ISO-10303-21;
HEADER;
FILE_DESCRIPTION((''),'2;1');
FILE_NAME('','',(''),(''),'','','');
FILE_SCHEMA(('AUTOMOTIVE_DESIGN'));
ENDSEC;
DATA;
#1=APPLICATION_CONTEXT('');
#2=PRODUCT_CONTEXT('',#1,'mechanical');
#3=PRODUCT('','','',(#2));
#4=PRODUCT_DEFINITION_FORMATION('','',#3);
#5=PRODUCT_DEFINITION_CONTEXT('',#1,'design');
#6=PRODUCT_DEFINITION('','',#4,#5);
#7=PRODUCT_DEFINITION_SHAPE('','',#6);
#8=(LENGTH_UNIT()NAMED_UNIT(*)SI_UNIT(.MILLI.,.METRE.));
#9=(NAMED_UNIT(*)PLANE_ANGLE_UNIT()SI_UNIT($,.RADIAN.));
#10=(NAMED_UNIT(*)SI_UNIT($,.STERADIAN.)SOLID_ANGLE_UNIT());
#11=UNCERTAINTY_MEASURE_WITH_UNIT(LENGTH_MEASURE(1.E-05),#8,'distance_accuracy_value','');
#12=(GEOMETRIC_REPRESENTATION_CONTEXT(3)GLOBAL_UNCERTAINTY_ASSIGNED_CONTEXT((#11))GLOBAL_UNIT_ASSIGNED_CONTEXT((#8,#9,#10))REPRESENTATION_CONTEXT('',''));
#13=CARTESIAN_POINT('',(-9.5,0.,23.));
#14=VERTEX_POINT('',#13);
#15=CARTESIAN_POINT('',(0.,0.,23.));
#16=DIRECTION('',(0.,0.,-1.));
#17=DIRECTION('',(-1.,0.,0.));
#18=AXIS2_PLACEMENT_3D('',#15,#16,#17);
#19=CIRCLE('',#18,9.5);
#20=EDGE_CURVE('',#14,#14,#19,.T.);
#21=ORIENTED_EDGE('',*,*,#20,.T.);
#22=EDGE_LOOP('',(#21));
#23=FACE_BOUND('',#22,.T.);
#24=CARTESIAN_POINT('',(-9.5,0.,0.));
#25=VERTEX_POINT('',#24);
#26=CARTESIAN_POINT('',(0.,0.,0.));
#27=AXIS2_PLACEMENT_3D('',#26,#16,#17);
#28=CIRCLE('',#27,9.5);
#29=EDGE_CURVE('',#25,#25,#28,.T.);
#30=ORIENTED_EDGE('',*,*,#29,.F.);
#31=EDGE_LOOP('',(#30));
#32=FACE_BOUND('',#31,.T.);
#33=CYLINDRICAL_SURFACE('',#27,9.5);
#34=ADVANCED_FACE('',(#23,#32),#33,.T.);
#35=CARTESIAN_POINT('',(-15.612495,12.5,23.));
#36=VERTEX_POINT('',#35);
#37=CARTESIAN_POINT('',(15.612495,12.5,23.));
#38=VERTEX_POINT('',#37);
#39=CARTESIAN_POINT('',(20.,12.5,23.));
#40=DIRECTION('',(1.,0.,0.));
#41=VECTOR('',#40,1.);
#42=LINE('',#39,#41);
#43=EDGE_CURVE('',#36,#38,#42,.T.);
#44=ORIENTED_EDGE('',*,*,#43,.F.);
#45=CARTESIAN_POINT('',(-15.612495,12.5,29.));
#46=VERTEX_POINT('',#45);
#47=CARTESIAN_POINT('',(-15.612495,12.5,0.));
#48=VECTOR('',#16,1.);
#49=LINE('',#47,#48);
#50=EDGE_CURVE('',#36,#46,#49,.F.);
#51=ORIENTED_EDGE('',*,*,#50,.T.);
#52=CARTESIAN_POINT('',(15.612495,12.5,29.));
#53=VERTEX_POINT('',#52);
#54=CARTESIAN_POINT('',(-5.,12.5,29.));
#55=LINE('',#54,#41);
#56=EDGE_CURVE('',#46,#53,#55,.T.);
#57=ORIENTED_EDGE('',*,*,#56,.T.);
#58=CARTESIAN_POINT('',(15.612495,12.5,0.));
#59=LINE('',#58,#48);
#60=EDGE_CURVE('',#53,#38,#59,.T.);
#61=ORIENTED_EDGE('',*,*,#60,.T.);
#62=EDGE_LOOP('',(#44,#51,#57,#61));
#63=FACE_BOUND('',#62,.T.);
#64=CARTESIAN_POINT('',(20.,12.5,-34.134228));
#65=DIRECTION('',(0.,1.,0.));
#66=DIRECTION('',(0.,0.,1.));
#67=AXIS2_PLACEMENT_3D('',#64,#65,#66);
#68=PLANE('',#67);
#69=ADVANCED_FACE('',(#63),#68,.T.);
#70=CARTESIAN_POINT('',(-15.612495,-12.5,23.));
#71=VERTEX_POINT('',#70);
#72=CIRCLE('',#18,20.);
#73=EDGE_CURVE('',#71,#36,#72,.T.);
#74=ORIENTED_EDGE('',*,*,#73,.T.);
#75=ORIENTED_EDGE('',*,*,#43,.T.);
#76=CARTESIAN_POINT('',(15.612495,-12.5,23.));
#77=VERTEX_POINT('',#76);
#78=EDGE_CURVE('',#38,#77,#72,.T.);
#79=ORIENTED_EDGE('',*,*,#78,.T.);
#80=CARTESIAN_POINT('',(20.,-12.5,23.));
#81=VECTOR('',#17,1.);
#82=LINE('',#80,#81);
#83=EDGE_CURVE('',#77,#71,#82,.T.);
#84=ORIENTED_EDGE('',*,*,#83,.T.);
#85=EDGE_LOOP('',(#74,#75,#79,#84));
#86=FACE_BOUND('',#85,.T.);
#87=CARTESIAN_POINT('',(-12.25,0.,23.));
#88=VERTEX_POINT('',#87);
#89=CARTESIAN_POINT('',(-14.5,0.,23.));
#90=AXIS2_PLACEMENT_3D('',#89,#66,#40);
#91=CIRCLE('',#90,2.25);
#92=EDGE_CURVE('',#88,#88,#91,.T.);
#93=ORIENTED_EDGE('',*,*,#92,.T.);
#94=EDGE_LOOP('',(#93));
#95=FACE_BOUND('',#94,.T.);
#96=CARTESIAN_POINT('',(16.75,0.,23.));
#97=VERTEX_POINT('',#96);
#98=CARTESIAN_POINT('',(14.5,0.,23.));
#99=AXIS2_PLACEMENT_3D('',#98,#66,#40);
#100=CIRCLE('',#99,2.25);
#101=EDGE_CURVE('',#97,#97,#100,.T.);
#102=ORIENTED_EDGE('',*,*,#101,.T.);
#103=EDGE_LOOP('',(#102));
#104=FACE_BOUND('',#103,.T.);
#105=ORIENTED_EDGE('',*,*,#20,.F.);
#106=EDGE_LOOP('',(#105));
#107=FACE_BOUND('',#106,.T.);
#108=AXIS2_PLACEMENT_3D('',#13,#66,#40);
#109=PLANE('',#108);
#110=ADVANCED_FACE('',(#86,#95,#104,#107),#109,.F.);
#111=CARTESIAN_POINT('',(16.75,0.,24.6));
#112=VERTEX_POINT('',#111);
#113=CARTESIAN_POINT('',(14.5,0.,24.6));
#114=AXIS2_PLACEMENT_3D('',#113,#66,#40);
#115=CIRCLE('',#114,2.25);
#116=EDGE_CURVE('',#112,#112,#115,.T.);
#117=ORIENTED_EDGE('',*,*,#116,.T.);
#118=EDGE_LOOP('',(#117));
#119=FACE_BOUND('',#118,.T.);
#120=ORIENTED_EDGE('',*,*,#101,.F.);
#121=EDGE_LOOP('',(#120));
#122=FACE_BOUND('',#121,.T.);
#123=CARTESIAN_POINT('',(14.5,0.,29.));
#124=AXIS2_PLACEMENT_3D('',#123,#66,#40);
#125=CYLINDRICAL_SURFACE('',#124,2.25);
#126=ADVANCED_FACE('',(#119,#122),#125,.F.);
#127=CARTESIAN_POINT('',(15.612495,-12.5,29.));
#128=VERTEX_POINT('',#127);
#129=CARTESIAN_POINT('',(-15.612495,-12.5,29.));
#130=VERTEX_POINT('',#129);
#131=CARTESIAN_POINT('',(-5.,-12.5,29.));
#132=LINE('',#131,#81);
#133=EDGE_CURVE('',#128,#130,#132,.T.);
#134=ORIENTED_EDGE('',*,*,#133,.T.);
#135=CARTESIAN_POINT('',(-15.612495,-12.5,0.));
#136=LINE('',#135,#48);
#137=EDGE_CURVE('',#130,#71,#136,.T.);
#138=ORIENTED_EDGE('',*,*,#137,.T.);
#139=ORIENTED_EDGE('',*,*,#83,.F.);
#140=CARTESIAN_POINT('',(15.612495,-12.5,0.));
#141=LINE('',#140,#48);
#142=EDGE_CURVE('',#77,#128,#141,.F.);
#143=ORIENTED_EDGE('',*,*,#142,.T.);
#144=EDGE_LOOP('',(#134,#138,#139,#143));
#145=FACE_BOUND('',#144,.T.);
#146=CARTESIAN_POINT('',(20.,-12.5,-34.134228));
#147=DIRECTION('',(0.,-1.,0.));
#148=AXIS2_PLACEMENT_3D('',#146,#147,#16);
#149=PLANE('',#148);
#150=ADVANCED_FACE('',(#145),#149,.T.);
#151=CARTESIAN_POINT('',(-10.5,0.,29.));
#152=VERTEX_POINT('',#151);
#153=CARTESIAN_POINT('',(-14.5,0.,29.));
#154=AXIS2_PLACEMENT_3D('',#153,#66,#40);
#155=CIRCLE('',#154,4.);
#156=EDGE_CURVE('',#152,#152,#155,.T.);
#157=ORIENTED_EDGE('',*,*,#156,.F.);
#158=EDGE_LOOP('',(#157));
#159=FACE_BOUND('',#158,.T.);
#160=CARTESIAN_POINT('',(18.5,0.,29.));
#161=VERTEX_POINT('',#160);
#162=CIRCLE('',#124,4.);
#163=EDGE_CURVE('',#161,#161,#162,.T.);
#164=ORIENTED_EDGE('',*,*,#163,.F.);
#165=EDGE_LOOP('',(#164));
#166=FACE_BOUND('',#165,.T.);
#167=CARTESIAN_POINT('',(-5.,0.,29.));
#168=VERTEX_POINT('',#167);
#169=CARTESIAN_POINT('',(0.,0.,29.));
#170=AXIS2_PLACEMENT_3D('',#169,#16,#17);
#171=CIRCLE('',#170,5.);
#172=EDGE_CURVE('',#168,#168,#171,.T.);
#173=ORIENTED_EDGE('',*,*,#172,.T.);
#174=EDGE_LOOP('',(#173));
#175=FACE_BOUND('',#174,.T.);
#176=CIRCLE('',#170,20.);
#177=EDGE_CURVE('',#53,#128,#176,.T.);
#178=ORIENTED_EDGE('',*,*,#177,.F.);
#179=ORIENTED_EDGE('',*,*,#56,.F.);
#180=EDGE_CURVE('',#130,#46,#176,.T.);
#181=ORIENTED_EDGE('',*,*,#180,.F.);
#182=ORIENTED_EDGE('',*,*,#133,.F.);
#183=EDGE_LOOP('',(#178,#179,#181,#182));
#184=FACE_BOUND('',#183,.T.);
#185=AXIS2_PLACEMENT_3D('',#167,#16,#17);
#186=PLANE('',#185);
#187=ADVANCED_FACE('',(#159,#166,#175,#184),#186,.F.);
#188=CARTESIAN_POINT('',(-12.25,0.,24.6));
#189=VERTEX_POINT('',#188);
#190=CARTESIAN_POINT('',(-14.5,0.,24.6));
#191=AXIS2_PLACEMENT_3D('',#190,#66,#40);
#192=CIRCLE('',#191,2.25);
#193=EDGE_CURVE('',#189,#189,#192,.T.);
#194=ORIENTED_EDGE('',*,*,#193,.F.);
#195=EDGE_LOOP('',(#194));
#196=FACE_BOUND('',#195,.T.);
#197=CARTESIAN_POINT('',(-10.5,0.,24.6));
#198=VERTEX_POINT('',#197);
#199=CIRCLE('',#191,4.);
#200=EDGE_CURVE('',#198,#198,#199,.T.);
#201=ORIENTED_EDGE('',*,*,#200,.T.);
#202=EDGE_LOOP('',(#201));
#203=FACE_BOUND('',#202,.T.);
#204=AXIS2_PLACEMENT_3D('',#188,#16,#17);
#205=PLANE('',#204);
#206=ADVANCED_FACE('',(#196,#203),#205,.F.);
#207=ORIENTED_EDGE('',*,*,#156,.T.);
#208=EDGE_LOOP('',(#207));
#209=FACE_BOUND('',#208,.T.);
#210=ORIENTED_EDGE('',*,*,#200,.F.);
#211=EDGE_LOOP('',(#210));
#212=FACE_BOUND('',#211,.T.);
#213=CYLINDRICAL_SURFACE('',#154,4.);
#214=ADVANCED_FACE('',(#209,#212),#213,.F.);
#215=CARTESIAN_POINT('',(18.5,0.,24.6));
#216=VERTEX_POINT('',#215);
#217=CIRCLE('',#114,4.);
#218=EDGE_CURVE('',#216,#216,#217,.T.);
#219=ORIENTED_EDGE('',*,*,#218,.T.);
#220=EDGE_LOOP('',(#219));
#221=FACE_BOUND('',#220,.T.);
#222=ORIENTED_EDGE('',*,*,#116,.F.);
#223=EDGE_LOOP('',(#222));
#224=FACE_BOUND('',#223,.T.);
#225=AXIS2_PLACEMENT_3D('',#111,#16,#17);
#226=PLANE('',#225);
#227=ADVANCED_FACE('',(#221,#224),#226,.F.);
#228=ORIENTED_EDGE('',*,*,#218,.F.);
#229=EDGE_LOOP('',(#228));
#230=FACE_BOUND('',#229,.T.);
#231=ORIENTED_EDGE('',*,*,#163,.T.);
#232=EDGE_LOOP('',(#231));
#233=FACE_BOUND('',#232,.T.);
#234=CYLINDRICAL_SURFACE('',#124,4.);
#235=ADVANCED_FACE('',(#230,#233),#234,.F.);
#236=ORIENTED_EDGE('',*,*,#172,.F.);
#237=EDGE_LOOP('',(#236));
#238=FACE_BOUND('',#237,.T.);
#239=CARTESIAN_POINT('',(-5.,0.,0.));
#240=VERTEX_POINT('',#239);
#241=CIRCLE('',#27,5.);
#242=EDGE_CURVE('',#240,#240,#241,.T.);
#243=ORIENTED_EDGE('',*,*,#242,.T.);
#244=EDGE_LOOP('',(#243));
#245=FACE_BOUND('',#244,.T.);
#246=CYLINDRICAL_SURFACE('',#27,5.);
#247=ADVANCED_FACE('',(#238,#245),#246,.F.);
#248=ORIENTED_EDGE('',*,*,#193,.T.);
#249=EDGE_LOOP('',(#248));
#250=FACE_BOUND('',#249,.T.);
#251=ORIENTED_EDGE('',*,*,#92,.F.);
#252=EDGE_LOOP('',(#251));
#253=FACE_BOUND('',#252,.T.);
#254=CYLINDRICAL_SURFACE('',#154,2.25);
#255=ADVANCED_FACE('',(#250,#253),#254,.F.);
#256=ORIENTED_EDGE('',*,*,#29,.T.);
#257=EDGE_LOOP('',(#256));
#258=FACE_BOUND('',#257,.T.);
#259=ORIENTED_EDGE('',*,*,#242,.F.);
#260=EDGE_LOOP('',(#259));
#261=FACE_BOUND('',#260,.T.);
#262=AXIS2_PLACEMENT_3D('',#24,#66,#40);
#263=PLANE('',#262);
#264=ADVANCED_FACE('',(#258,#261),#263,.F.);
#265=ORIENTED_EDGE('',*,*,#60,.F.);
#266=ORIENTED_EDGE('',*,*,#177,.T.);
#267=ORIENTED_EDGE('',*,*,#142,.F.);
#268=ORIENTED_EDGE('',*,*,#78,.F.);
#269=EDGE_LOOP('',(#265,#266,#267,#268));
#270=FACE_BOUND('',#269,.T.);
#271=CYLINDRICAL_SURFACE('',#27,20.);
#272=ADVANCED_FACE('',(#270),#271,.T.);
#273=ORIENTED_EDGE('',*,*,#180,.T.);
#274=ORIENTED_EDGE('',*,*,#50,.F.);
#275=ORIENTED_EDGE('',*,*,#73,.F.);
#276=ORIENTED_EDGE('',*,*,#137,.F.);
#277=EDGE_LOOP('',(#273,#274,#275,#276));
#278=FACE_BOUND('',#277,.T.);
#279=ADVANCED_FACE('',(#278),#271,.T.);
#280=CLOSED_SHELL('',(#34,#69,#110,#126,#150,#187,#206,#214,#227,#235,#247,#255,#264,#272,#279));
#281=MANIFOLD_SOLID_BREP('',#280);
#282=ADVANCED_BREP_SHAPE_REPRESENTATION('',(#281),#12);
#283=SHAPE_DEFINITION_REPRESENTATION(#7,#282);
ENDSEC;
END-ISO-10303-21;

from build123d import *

# Parameters (mm, degrees)
SKETCH_2_OUTSIDE_W        = 54.714
SKETCH_2_OUTSIDE_H        = 54.714
SKETCH_2_OUTSIDE_W_2      = 40
SKETCH_2_OUTSIDE_H_2      = 25
CUT_EXTRUDE_1_DEPTH       = 6
HOLE_WIZARD_1_D           = 4.5
HOLE_WIZARD_1_CBORE_D     = 8
HOLE_WIZARD_1_CBORE_DEPTH = 4.4


with BuildPart() as part:
    # 草图1 → 旋转1 (revolve)
    with BuildSketch(Plane(origin=(0, 0, 0), x_dir=(0, 0, 1), z_dir=(0, -1, 0))):
        Polygon((0, 5), (29, 5), (29, 20), (23, 20), (23, 9.5), (0, 9.5), align=None)
    revolve(axis=Axis((0, 0, 0), (0, 0, 1)))

    # 草图2 outside → 切除-拉伸1 (cut)
    with BuildSketch(Plane.XY.offset(29)):
        Rectangle(SKETCH_2_OUTSIDE_W, SKETCH_2_OUTSIDE_H)
        Rectangle(SKETCH_2_OUTSIDE_W_2, SKETCH_2_OUTSIDE_H_2, mode=Mode.SUBTRACT)
    extrude(amount=-CUT_EXTRUDE_1_DEPTH, mode=Mode.SUBTRACT)

    # 孔1 (through all)
    with Locations(Plane.XY.offset(29)):
        with Locations((-14.5, 0), (14.5, 0)):
            CounterBoreHole(HOLE_WIZARD_1_D / 2, HOLE_WIZARD_1_CBORE_D / 2, HOLE_WIZARD_1_CBORE_DEPTH)


solid = part.part
